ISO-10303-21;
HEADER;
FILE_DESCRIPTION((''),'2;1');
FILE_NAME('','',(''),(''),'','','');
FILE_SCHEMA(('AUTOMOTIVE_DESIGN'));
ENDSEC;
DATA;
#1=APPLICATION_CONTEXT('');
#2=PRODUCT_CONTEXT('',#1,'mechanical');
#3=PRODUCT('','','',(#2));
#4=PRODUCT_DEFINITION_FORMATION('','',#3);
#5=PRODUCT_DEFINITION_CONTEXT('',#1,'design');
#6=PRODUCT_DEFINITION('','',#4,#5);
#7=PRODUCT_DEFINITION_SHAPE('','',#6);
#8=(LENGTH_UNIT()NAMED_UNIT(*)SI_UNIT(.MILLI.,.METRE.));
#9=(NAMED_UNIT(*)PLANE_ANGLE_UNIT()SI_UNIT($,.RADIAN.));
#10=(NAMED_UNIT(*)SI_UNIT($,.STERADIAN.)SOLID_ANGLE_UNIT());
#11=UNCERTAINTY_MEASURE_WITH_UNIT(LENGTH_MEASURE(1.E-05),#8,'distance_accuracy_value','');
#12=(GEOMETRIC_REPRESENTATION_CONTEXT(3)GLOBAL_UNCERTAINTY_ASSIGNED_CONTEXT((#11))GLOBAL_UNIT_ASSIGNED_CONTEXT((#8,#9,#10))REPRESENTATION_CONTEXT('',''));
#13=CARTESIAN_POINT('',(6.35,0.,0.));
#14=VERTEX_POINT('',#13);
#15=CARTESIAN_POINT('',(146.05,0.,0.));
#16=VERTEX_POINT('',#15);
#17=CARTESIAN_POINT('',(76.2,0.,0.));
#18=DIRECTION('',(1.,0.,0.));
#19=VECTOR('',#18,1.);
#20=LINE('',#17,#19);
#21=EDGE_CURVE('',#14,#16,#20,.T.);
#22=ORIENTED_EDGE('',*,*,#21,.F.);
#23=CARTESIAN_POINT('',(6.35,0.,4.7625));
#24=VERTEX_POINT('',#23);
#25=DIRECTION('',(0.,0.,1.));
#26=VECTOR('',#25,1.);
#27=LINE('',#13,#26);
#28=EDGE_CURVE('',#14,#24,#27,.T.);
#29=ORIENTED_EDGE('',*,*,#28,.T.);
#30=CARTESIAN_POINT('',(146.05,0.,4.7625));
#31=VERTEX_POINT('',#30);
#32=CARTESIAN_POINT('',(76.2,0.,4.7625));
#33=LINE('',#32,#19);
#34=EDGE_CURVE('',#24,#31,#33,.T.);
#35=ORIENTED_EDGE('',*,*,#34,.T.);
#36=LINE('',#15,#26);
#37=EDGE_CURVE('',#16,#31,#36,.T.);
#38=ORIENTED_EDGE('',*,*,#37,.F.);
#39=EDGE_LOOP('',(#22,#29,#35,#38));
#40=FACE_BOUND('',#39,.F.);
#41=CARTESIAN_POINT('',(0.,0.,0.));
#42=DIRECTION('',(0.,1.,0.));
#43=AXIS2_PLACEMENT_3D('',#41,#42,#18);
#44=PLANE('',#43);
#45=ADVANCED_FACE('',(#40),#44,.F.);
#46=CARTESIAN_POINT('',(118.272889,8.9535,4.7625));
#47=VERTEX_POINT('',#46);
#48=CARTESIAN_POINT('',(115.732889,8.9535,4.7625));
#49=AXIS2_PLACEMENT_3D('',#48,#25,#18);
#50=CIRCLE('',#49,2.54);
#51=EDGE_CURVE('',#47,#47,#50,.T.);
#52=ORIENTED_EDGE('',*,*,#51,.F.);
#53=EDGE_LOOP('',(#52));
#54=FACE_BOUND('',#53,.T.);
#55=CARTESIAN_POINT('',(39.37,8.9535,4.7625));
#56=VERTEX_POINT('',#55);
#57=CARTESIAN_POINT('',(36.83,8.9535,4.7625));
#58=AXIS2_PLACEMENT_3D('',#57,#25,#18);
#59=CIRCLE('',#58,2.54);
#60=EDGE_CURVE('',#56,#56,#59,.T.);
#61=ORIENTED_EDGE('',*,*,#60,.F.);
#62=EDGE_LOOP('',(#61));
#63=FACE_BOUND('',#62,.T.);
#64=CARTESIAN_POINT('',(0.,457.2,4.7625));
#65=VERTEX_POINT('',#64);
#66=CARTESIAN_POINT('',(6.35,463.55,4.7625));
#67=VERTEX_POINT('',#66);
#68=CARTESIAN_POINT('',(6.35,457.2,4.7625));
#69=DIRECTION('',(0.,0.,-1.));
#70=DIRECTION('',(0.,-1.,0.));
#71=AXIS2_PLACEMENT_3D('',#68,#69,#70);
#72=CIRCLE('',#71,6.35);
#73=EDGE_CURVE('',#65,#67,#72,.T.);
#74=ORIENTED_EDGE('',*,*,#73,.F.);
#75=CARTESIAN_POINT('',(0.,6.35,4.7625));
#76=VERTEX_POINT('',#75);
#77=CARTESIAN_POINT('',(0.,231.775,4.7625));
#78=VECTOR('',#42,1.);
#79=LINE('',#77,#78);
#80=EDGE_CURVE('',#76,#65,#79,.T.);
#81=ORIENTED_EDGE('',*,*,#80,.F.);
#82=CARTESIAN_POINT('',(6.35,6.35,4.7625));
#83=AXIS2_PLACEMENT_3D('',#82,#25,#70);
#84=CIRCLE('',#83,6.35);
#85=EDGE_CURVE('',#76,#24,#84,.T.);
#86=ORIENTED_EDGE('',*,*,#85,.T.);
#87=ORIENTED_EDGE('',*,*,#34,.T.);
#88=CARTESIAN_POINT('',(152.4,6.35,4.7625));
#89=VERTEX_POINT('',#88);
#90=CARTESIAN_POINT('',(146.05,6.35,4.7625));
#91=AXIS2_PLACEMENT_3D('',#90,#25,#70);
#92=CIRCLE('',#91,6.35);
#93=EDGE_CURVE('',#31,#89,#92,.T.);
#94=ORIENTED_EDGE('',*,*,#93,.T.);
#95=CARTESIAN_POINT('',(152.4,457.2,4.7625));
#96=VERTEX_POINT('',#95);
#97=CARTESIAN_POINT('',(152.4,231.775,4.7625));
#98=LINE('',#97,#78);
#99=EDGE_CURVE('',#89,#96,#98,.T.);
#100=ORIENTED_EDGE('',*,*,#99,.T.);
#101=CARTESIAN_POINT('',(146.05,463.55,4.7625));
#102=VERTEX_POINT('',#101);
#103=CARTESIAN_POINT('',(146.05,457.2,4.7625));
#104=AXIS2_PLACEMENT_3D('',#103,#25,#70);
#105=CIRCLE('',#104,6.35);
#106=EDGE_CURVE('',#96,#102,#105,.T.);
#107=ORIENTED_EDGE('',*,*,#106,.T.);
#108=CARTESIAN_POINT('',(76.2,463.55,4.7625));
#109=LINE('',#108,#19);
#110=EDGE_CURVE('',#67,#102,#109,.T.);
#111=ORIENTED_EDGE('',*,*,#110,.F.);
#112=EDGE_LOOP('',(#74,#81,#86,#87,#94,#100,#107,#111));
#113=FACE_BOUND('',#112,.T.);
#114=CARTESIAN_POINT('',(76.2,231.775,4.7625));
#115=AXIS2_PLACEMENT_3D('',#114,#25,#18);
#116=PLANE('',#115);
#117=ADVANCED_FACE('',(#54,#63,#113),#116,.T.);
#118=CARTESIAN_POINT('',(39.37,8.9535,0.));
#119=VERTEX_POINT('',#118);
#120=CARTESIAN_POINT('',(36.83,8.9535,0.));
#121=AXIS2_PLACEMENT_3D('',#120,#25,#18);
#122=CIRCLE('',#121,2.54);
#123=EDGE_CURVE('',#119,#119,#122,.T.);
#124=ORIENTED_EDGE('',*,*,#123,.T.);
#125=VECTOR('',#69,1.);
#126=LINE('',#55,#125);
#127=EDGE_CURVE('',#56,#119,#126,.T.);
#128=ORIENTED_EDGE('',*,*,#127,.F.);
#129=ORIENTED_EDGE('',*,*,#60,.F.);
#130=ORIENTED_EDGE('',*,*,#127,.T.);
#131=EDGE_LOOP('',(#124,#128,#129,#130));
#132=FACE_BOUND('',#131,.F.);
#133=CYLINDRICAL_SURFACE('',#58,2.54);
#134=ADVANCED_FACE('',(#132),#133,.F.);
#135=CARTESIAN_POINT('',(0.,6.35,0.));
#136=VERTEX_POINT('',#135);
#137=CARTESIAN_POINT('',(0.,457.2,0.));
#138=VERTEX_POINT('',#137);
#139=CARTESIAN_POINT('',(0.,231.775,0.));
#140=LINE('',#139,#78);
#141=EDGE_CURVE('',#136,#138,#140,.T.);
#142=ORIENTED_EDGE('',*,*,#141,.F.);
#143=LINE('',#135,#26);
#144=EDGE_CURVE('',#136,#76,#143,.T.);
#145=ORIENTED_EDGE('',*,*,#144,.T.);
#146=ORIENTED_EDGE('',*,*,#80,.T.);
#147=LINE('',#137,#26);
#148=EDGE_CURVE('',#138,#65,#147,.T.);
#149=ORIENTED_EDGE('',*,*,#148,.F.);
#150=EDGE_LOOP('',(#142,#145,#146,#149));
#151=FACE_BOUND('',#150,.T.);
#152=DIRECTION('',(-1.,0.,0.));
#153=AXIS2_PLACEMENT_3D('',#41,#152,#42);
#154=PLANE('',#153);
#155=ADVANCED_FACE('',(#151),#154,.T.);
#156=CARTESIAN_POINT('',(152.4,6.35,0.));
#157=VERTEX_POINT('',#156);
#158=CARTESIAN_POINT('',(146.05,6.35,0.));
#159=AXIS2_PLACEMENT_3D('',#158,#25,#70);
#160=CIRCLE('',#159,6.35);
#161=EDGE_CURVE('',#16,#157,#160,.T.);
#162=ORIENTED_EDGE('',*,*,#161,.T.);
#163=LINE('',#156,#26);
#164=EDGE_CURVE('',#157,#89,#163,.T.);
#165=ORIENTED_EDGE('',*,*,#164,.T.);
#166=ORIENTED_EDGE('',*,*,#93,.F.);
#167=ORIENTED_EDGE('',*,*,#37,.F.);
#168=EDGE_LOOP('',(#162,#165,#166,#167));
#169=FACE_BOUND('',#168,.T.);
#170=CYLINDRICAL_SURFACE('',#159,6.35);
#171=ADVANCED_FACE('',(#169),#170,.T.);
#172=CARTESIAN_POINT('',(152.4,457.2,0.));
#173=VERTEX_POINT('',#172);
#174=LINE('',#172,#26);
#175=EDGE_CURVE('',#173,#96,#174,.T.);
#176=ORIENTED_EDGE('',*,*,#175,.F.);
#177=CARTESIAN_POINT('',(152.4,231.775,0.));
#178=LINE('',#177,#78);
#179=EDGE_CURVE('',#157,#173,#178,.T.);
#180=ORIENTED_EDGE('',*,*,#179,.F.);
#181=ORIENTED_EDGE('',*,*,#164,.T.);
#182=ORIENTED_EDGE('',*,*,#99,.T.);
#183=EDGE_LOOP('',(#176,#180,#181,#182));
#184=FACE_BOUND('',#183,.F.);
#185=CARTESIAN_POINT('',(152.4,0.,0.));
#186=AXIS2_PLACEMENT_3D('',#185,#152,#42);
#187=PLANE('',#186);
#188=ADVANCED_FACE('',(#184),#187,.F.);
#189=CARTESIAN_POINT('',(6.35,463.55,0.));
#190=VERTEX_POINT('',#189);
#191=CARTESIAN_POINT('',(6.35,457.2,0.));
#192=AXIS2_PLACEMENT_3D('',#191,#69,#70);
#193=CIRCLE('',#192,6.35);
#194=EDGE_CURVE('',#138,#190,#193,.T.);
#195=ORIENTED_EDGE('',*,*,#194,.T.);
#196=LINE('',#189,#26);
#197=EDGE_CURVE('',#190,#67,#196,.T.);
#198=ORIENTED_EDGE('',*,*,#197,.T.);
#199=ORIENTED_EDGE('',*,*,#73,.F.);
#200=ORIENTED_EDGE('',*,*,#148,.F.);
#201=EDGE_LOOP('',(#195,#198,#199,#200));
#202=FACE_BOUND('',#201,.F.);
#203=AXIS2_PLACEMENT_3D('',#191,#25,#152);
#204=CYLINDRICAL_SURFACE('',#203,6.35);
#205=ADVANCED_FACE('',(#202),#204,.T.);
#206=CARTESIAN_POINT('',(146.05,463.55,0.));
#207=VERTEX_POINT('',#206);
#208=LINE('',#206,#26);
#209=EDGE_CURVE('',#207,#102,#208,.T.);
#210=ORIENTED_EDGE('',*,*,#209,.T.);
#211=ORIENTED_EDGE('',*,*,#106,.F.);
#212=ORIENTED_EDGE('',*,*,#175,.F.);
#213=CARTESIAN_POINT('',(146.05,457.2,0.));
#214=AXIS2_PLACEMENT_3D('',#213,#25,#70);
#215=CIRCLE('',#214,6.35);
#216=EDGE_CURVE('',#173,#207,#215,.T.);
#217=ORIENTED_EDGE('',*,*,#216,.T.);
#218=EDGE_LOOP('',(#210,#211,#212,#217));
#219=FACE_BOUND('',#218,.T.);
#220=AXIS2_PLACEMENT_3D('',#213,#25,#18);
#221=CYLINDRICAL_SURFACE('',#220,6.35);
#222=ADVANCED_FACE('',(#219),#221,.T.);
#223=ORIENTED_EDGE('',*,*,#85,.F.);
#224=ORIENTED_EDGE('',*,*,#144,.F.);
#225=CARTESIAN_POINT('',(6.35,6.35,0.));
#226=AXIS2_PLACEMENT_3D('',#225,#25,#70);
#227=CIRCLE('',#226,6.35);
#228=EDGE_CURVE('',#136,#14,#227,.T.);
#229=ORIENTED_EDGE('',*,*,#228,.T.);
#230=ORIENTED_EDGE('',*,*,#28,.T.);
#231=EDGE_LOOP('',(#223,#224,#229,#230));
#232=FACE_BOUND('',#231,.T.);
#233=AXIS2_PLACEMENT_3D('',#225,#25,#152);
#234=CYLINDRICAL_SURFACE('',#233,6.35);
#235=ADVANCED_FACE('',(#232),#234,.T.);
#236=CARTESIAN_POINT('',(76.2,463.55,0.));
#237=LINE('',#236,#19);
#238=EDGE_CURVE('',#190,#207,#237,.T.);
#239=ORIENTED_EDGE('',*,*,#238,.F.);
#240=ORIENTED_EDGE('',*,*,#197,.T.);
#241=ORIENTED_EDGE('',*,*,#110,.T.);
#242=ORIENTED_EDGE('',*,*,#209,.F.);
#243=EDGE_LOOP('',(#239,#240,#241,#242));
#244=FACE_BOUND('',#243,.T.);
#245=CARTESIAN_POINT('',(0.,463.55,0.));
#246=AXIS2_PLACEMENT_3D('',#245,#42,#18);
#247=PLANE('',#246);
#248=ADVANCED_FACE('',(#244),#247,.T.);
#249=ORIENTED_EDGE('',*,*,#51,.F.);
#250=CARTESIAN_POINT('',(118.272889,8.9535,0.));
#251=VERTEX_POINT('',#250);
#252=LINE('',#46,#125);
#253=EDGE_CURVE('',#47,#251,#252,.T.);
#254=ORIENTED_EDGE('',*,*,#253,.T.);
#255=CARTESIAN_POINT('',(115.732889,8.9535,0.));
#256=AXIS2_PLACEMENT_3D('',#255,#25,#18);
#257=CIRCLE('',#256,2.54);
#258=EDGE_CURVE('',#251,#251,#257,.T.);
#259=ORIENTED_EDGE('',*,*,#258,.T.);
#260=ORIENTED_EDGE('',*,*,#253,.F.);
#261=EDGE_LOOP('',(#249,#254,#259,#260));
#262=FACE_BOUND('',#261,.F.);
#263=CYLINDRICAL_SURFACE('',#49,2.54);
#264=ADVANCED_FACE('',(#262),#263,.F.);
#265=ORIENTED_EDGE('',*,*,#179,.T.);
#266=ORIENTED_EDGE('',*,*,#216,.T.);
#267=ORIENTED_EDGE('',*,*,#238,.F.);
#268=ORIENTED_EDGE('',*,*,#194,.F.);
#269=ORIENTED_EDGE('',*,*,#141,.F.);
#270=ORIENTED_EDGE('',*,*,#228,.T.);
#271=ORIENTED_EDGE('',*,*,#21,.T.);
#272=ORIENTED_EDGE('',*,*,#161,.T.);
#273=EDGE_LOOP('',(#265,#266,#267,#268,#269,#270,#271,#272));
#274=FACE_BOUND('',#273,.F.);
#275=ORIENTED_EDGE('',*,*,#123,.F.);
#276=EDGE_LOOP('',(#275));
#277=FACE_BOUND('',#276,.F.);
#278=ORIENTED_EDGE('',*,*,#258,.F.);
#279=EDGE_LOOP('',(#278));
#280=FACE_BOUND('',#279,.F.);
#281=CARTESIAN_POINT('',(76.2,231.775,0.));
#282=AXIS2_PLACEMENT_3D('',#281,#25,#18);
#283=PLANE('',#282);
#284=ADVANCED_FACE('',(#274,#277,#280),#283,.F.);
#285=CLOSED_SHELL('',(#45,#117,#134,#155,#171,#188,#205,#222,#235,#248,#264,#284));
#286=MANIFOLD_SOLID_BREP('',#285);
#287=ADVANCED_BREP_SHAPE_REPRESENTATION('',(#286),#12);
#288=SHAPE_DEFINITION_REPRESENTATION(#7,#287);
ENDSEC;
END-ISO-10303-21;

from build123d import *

# Parameters (mm, degrees)
SKETCH1_W           = 152.4
SKETCH1_H           = 463.55
BOSS_EXTRUDE1_DEPTH = 4.7625
FILLET1_R           = 6.35
SKETCH2_R           = 2.54
CUT_EXTRUDE1_DEPTH  = 7.62


with BuildPart() as part:
    # Sketch1 → Boss-Extrude1 (new body)
    with BuildSketch(Plane.XY):
        with Locations((76.2, 231.775)):
            Rectangle(SKETCH1_W, SKETCH1_H)
    extrude(amount=BOSS_EXTRUDE1_DEPTH)

    # Fillet1
    fillet1_edges = [part.edges().sort_by_distance(p)[0] for p in [
        (0, 463.55, 2.38125),
        (152.4, 463.55, 2.38125),
        (152.4, 0, 2.38125),
        (0, 0, 2.38125),
    ]]
    fillet(fillet1_edges, radius=FILLET1_R)

    # Sketch2 → Cut-Extrude1 (cut)
    with BuildSketch(Plane.XY.offset(4.7625)):
        with Locations((36.83, 8.9535)):
            Circle(SKETCH2_R)
        with Locations((115.73288862, 8.9535)):
            Circle(SKETCH2_R)
    extrude(amount=-CUT_EXTRUDE1_DEPTH, mode=Mode.SUBTRACT)


solid = part.part
